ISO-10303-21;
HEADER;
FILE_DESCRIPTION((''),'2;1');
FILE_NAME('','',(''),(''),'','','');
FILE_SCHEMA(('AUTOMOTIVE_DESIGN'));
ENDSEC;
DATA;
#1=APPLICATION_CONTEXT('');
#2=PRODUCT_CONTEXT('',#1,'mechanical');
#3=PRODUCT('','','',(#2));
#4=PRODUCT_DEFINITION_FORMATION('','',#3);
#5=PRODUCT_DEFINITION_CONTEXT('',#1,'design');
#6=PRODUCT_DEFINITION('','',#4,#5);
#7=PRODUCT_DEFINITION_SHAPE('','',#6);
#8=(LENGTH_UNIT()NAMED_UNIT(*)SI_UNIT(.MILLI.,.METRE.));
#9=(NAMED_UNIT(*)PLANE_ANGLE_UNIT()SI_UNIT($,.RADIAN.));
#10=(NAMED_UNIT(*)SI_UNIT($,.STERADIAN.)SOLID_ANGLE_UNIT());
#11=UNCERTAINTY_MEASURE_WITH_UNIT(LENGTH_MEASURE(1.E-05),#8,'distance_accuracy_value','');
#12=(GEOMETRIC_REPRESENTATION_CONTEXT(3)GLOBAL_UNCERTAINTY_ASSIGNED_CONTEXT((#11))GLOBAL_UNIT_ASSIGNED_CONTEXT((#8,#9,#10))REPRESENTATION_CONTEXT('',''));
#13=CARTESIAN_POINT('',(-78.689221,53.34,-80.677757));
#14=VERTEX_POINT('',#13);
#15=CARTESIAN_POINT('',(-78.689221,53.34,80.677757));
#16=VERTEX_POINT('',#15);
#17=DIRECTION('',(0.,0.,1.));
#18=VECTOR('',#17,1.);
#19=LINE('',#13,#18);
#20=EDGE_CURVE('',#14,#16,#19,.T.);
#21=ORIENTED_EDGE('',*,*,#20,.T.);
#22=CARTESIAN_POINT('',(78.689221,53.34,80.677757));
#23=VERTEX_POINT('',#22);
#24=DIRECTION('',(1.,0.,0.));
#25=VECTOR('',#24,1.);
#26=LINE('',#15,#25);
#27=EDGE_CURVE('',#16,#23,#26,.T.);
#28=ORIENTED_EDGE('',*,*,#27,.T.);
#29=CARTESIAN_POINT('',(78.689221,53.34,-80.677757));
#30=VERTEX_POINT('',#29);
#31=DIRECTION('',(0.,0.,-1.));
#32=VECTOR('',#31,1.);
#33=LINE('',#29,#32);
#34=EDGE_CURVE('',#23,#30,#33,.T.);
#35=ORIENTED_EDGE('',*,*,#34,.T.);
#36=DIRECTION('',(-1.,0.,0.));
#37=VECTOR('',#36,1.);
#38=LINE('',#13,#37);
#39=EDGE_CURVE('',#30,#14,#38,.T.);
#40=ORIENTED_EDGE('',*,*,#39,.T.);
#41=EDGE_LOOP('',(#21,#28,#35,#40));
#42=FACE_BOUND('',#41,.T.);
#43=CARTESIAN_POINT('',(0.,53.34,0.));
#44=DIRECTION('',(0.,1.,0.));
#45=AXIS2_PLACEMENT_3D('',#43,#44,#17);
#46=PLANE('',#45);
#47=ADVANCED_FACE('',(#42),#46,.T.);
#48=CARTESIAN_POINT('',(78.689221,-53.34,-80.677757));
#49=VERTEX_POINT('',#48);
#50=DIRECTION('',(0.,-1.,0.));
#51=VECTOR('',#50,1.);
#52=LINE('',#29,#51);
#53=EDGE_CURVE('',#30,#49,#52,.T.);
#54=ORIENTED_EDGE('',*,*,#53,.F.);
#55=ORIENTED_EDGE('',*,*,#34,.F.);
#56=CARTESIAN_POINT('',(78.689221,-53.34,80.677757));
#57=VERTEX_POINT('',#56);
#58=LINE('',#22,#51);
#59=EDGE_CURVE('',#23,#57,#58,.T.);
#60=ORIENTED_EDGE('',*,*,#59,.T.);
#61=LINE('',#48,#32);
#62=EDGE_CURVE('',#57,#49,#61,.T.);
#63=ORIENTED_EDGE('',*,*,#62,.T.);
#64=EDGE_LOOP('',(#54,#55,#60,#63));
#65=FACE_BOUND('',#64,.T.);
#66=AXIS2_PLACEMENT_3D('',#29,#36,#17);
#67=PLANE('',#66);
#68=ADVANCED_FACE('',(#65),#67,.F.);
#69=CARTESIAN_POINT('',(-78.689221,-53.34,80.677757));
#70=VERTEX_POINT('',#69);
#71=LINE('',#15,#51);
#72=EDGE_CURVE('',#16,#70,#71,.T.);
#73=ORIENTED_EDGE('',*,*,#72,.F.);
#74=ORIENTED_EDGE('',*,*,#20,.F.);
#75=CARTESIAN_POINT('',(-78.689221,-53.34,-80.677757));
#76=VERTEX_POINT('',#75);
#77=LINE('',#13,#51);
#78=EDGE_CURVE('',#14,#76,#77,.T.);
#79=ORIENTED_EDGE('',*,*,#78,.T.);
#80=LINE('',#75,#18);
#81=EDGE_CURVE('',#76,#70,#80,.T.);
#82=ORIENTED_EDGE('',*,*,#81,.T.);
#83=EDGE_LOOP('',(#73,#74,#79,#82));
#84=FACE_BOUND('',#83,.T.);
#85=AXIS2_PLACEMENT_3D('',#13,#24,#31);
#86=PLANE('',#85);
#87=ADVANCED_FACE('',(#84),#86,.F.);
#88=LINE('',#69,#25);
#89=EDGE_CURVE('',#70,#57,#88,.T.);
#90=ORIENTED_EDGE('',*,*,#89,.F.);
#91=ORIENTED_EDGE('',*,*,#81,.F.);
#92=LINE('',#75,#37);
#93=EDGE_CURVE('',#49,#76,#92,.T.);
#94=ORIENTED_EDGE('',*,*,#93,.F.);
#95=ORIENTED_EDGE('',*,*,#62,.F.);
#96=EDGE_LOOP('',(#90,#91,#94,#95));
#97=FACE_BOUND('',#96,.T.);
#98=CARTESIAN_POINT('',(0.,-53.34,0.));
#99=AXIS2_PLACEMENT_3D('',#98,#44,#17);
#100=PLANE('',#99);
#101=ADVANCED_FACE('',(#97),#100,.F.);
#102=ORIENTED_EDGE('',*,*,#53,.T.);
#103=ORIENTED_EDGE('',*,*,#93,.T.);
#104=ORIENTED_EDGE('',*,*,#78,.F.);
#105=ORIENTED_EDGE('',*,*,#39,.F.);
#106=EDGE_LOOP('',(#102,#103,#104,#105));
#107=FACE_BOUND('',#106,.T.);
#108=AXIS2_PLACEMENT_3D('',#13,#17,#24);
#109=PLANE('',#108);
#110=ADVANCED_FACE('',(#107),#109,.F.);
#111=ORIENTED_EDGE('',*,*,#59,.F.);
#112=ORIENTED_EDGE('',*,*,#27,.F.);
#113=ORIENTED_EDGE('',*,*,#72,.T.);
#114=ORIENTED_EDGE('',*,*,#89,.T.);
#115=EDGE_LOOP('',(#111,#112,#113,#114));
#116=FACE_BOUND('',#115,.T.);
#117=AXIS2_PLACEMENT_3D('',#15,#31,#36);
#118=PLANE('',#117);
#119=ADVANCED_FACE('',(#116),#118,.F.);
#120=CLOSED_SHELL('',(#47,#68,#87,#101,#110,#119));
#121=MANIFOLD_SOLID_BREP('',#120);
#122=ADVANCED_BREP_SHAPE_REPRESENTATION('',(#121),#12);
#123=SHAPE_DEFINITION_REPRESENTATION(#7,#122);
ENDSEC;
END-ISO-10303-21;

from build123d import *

# Parameters (mm, degrees)
SKETCH1_W           = 157.37844214
SKETCH1_H           = 161.355514686
BOSS_EXTRUDE1_DEPTH = 53.34


with BuildPart() as part:
    # Sketch1 → Boss-Extrude1 (new, symmetric)
    with BuildSketch(Plane(origin=(0, 0, 0), x_dir=(1, 0, 0), z_dir=(0, 1, 0))):
        Rectangle(SKETCH1_W, SKETCH1_H)
    extrude(amount=BOSS_EXTRUDE1_DEPTH, both=True)


solid = part.part
